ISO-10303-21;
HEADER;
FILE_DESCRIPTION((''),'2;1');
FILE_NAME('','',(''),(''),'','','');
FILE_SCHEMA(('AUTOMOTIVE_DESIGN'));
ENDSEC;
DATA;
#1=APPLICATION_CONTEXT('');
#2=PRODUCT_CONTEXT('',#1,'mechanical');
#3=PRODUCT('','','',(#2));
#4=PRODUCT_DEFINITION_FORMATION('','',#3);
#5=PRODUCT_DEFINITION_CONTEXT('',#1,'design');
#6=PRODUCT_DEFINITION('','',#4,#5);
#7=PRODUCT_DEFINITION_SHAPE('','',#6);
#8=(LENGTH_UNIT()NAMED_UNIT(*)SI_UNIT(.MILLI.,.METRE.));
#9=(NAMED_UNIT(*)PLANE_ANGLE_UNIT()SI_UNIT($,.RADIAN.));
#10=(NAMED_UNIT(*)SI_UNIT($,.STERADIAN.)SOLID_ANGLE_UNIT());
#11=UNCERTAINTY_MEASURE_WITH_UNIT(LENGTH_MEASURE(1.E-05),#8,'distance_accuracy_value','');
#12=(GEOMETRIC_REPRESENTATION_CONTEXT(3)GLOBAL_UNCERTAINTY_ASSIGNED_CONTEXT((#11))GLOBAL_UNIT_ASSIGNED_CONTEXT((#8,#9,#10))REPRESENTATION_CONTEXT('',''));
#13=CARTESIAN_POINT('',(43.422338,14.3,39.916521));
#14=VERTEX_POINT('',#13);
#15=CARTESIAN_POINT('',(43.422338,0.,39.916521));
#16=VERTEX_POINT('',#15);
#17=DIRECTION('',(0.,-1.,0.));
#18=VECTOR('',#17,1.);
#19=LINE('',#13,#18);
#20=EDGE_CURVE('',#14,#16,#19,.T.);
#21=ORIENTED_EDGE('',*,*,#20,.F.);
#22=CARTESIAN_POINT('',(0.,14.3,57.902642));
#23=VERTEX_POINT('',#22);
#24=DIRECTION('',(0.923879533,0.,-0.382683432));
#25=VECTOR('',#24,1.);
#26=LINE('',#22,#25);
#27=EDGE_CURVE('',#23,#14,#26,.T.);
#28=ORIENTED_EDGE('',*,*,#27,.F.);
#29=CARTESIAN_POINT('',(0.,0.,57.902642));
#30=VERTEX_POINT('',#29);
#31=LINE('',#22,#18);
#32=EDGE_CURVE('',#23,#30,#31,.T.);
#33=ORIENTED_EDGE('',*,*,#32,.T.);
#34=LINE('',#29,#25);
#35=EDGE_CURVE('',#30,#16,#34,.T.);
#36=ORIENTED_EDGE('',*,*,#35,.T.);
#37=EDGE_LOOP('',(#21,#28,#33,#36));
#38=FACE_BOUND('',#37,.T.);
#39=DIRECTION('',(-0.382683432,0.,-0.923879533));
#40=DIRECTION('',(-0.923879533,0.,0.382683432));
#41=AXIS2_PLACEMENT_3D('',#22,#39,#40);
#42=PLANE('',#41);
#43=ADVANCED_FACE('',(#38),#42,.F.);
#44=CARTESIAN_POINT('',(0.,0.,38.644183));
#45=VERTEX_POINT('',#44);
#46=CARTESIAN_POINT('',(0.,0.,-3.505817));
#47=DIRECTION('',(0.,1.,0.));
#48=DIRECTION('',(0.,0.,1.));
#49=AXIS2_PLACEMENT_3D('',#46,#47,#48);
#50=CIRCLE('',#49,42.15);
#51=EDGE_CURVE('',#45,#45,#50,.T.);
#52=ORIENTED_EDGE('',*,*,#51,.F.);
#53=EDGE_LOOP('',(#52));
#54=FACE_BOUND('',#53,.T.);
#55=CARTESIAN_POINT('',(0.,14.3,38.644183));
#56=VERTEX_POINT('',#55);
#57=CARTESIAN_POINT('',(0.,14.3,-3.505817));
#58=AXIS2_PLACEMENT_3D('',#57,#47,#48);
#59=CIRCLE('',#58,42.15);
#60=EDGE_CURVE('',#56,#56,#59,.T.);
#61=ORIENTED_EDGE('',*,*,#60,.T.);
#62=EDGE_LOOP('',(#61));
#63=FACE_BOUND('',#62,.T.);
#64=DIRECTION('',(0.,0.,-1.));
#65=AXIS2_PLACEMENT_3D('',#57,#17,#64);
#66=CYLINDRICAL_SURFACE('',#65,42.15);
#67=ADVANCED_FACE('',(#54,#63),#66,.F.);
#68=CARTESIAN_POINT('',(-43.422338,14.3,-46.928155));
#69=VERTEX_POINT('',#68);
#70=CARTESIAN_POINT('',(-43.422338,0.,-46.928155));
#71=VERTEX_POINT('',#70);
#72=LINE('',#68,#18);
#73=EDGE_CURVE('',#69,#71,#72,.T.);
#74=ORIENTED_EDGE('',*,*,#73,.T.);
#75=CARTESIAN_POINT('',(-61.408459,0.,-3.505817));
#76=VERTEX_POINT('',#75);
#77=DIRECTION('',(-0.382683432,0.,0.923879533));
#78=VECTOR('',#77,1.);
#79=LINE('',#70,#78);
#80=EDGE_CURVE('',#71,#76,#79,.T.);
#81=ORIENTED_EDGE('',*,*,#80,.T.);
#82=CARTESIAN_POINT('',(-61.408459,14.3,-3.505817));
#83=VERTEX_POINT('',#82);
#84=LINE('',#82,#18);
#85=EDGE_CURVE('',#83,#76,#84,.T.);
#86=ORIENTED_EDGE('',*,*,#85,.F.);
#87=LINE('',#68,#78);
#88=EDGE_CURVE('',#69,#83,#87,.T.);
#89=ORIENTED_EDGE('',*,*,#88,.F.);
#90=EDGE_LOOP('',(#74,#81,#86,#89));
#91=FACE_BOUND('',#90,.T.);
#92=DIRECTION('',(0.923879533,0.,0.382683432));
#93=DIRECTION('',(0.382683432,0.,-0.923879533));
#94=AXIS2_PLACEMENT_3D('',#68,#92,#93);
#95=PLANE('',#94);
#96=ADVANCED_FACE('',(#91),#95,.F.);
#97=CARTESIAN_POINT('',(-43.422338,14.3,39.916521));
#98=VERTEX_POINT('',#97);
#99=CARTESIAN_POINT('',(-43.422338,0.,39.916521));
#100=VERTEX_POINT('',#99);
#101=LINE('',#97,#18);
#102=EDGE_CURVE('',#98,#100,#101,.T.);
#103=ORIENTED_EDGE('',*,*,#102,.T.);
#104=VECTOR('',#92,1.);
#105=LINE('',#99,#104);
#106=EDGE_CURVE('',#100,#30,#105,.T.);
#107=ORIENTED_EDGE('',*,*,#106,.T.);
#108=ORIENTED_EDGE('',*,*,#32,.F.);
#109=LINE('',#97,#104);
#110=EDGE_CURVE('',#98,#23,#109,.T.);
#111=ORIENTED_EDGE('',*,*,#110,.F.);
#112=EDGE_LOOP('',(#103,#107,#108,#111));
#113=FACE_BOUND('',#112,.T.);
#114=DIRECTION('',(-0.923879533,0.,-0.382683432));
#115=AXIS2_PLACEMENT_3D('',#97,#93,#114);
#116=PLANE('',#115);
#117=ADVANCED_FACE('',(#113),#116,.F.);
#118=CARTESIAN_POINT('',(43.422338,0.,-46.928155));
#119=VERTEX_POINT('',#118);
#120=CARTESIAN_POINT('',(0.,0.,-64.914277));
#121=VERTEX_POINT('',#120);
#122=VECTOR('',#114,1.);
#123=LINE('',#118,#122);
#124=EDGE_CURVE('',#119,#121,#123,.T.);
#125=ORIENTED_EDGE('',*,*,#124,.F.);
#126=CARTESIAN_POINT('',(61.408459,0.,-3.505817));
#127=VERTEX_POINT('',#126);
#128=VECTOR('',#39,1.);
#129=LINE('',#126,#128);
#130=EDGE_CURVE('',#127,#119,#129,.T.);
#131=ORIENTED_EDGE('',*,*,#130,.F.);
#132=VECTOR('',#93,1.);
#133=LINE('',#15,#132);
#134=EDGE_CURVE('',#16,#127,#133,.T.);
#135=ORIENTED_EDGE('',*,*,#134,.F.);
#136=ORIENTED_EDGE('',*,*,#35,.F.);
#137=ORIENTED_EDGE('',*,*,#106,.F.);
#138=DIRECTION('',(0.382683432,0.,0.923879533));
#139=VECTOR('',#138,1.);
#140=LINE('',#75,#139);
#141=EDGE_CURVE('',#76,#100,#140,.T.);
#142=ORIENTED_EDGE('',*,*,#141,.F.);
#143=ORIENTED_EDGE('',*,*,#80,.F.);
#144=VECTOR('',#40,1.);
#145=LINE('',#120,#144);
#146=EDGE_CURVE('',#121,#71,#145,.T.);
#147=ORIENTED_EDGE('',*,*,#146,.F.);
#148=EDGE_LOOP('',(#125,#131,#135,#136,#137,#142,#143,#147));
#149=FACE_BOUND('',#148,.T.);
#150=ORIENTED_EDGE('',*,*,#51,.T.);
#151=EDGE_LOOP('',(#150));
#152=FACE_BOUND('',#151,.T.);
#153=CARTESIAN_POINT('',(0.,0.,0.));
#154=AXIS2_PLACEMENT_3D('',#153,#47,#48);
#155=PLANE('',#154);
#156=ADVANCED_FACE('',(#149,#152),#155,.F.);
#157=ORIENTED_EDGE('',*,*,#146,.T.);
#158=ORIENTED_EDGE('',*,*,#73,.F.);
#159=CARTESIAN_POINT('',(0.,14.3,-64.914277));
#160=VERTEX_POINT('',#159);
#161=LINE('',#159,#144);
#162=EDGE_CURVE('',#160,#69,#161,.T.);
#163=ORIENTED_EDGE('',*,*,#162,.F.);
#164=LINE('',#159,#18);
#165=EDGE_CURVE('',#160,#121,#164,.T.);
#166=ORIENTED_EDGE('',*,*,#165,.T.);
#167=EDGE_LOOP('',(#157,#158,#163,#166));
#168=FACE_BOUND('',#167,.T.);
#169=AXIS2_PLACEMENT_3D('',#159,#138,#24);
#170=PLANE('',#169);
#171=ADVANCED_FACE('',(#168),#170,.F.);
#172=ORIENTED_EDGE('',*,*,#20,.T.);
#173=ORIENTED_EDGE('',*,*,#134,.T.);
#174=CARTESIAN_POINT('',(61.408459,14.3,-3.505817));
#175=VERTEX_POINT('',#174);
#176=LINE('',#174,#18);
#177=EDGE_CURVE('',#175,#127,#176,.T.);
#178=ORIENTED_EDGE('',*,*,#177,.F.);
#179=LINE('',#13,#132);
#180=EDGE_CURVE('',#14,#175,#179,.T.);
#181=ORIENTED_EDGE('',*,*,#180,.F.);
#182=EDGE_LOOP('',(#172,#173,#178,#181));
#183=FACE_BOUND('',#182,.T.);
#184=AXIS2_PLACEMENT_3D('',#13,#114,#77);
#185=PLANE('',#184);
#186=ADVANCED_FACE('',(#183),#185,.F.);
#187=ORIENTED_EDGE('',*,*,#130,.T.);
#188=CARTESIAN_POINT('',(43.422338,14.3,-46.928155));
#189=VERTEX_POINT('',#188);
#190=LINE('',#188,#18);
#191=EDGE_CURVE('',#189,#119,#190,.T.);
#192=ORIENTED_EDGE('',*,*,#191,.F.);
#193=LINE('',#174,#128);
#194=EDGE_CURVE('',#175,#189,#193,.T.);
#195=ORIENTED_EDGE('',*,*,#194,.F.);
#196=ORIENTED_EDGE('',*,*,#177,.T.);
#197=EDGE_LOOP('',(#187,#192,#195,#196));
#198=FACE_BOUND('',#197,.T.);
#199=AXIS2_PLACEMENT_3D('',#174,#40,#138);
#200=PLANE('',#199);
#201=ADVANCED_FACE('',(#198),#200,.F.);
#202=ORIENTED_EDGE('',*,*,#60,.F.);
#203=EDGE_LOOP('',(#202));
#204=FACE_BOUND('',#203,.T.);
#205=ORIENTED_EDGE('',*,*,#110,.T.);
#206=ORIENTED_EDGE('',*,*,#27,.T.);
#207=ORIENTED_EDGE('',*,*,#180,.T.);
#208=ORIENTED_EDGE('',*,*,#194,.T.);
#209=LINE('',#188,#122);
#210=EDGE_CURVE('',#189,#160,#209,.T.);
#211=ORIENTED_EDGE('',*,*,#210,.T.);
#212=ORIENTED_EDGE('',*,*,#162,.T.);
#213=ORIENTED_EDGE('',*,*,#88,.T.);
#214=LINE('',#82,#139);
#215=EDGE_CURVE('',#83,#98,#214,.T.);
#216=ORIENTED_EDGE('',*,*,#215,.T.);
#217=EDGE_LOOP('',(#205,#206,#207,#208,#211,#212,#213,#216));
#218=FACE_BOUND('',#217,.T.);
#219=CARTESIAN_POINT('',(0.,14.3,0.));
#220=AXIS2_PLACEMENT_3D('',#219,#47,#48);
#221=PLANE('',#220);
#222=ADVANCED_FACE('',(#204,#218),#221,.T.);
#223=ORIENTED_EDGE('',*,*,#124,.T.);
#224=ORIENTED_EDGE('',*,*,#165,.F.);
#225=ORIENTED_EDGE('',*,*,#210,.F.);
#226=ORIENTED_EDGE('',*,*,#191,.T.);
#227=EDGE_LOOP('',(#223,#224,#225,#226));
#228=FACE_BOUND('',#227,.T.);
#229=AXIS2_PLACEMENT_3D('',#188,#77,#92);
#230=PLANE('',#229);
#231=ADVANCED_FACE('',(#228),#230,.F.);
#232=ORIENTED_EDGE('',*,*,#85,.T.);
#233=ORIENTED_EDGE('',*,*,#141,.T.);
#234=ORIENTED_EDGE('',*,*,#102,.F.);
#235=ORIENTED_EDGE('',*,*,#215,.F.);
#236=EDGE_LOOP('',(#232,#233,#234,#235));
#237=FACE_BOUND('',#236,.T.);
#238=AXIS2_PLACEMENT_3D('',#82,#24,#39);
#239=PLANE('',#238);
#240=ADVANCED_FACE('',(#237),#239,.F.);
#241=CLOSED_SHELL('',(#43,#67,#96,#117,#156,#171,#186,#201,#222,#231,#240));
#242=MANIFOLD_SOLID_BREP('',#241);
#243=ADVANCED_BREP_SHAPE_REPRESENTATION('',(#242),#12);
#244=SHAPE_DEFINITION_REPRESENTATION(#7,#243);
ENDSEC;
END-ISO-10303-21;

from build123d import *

# Parameters (mm, degrees)
SKETCH1_R           = 42.15
BOSS_EXTRUDE2_DEPTH = 14.3


with BuildPart() as part:
    # Sketch1 → Boss-Extrude2 (new body)
    with BuildSketch(Plane(origin=(0, 0, 0), x_dir=(1, 0, 0), z_dir=(0, 1, 0))):
        Polygon((0, -57.902642122), (43.422338028, -39.916520801), (61.408459349, 3.505817227), (43.422338028, 46.928155255), (0, 64.914276577), (-43.422338028, 46.928155255), (-61.408459349, 3.505817227), (-43.422338028, -39.916520801), align=None)
        with Locations((0, 3.505817227)):
            Circle(SKETCH1_R, mode=Mode.SUBTRACT)
    extrude(amount=BOSS_EXTRUDE2_DEPTH)


solid = part.part
